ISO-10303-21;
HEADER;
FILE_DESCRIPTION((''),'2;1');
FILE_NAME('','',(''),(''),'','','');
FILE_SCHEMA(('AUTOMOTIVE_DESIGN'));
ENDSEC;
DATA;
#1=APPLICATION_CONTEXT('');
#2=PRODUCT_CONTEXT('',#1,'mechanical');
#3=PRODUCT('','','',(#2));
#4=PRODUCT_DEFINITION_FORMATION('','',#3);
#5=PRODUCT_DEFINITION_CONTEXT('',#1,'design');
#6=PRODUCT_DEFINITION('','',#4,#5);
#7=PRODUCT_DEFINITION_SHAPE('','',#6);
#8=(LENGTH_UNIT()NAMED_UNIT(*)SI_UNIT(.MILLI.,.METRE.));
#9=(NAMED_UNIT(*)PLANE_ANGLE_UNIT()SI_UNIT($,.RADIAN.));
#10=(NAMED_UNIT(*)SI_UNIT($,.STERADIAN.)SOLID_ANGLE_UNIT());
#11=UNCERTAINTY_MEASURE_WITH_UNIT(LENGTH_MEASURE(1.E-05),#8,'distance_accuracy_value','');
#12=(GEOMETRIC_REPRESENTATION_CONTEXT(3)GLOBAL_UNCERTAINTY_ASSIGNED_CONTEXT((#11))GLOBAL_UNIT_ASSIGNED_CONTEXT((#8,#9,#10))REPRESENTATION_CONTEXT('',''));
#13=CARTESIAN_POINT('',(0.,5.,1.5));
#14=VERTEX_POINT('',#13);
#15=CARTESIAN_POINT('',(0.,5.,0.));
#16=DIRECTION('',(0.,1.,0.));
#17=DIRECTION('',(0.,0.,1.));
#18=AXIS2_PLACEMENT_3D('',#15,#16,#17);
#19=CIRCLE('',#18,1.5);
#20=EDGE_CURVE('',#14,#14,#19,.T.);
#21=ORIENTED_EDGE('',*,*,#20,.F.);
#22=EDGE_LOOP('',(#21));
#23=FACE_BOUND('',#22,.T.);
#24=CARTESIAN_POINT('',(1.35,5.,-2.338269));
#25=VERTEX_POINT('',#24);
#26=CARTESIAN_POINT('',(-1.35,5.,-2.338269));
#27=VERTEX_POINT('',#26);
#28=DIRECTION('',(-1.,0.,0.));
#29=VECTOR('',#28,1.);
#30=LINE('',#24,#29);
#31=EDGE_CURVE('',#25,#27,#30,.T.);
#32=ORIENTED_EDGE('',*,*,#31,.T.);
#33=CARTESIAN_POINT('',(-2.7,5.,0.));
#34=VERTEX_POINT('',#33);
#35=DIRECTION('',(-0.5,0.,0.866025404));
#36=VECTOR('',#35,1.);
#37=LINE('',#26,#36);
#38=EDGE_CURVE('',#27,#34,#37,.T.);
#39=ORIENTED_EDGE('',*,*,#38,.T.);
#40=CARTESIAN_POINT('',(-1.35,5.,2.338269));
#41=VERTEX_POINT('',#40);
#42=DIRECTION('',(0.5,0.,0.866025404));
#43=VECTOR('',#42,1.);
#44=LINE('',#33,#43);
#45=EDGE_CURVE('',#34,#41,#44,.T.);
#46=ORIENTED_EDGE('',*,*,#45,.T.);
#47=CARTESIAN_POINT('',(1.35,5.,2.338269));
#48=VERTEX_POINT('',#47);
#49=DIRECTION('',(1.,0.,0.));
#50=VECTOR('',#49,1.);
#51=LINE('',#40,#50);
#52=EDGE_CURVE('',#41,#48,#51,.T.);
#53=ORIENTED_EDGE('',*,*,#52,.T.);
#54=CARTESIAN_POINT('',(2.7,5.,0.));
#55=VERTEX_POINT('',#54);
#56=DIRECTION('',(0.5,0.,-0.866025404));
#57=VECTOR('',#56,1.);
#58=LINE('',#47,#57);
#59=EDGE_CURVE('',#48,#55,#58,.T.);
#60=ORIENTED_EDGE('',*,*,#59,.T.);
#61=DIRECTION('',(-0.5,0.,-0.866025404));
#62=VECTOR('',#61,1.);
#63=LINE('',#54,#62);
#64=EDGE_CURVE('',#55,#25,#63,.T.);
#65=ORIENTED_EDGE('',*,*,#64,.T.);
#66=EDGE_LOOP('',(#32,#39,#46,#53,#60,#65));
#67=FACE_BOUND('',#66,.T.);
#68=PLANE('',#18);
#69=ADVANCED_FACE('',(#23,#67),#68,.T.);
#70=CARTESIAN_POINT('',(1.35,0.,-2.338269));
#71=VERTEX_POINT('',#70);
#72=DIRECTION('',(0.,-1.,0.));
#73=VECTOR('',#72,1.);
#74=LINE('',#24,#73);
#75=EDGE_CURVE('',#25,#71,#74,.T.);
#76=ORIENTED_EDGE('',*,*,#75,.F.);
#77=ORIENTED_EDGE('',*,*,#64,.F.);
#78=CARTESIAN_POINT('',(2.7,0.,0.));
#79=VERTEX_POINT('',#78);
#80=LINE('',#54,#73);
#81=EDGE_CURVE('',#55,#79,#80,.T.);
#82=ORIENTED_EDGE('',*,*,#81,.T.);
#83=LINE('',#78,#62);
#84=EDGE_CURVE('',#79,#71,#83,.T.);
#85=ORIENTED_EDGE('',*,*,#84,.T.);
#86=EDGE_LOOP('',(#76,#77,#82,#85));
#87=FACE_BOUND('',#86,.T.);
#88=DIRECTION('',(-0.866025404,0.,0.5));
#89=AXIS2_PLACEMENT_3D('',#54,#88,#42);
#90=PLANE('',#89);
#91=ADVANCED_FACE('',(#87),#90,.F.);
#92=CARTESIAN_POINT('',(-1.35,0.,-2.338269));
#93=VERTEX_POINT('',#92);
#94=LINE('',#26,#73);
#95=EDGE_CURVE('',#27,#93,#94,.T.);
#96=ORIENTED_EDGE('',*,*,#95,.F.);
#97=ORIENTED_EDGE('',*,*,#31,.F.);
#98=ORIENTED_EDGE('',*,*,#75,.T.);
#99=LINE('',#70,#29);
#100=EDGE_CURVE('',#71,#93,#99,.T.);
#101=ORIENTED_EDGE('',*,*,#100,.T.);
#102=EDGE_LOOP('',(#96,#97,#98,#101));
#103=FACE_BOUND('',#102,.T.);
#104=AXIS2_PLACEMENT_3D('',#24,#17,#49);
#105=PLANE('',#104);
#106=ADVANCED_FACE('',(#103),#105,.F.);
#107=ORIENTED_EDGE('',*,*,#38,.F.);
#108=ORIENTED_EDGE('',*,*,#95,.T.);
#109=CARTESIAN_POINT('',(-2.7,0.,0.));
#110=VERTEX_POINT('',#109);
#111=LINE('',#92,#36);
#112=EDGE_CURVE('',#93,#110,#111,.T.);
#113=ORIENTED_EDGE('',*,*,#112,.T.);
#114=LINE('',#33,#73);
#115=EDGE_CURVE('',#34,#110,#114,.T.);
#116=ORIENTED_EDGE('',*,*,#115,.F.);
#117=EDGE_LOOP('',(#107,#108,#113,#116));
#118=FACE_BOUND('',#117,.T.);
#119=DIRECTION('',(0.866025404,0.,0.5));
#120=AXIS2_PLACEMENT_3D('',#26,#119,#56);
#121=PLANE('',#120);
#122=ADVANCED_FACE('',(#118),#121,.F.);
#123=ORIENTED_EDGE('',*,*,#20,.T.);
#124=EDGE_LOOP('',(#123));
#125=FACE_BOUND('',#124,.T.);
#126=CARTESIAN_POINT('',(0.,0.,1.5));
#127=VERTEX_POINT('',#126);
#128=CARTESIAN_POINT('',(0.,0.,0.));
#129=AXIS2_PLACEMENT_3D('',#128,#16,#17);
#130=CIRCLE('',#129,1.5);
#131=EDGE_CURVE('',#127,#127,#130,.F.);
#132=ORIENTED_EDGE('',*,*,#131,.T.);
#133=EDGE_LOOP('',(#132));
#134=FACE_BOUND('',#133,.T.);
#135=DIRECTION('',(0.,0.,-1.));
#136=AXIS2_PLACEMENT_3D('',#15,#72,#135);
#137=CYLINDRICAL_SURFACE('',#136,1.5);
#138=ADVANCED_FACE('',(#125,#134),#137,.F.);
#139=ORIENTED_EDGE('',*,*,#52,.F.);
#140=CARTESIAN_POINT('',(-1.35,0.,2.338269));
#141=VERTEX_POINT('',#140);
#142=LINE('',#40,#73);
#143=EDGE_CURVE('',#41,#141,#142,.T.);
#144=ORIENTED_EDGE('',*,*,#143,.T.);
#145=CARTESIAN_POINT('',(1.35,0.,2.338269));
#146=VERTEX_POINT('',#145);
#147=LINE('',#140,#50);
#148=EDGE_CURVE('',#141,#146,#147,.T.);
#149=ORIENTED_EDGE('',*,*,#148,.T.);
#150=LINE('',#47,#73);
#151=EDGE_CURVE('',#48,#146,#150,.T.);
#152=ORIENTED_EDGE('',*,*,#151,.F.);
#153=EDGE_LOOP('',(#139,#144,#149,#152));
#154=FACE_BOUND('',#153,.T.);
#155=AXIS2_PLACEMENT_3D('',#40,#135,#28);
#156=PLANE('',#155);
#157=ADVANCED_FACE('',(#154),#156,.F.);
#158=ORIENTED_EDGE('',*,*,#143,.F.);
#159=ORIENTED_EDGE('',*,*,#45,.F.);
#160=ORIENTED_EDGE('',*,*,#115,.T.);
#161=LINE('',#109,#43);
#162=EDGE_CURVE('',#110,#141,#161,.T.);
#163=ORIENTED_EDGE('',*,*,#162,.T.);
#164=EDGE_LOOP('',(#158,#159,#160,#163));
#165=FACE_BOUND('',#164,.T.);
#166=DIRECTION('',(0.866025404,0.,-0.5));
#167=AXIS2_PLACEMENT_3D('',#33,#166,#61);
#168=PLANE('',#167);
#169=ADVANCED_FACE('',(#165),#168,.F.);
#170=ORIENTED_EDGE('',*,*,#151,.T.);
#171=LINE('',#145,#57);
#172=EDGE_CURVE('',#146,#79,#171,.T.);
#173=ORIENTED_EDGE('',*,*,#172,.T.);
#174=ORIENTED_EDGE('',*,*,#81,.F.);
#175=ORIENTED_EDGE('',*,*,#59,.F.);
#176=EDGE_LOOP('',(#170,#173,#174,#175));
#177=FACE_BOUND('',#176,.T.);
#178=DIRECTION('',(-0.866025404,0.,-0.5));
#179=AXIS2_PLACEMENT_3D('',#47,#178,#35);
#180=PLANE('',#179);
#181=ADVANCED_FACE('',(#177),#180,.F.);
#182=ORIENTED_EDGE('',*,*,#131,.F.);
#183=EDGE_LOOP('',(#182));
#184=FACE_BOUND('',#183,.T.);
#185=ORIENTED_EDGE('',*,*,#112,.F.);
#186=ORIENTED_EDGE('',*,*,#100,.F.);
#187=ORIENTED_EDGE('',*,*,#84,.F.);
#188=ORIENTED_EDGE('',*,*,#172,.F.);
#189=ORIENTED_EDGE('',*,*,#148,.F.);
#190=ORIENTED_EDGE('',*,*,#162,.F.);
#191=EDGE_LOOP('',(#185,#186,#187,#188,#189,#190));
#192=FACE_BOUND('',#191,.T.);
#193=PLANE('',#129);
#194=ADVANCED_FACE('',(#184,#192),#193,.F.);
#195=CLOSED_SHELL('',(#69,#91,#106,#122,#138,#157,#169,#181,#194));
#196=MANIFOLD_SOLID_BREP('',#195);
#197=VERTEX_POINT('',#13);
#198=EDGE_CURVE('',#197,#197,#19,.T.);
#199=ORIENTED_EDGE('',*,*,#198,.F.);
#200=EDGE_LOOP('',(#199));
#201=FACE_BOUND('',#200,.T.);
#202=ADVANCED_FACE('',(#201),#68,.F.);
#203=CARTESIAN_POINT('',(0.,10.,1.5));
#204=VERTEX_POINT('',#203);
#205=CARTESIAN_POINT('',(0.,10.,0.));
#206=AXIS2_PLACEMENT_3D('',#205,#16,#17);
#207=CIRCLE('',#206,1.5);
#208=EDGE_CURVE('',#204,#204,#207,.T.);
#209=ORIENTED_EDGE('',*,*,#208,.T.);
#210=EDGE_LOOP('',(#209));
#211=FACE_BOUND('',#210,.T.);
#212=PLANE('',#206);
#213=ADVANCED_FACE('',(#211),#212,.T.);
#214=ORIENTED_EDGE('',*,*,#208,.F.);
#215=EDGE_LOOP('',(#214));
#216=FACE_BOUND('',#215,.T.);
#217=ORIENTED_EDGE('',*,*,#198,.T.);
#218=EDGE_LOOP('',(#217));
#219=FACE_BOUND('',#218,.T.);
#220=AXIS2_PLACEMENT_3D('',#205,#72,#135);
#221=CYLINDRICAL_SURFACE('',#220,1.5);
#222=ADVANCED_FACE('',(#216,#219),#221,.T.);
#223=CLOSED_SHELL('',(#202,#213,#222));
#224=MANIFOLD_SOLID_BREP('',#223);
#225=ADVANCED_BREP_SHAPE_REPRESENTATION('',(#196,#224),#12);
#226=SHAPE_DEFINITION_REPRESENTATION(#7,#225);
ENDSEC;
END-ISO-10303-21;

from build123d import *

# Parameters (mm, degrees)
EXTRUDE_1_DEPTH          = 5
SKETCH_2_R               = 1.5
EXTRUDE_2_DEPTH          = 10
CUT_EXTRUDE_2_DEPTH      = 5
CUT_EXTRUDE_2_DEPTH_BACK = 1
SKETCH_3_R               = 1.5


with BuildPart() as part:
    # 草图1 → 凸台-拉伸1 (new body)
    with BuildSketch(Plane(origin=(0, 0, 0), x_dir=(1, 0, 0), z_dir=(0, 1, 0))):
        Polygon((2.7, 0), (1.35, 2.33826859), (-1.35, 2.33826859), (-2.7, 0), (-1.35, -2.33826859), (1.35, -2.33826859), align=None)
    extrude(amount=EXTRUDE_1_DEPTH)

    # 草图2 → 凸台-拉伸2 (add)
    with BuildSketch(Plane(origin=(0, 0, 0), x_dir=(1, 0, 0), z_dir=(0, 1, 0))):
        with Locations(Location((0, 0, 0), (0, 0, 270))):
            Circle(SKETCH_2_R)
    extrude(amount=EXTRUDE_2_DEPTH)

    # 草图3 → 切除-拉伸2 (cut, two sides: drawn at the far end of the back side and taken through both)
    with BuildSketch(Plane(origin=(0, 0, 0), x_dir=(1, 0, 0), z_dir=(0, 1, 0)).offset(-CUT_EXTRUDE_2_DEPTH_BACK)):
        with Locations(Location((0, 0, 0), (0, 0, 270))):
            Circle(SKETCH_3_R)
    extrude(amount=CUT_EXTRUDE_2_DEPTH + CUT_EXTRUDE_2_DEPTH_BACK, mode=Mode.SUBTRACT)


with BuildPart() as cut_extrude_2_piece_1:
    # of the separate pieces the step leaves, piece 1, a body of its own (cut_extrude_2_pieces)
    add(part.part.solids().sort_by_distance((2.7, 0, 0))[0])


with BuildPart() as cut_extrude_2_piece_2:
    # of the separate pieces the step leaves, piece 2, a body of its own (cut_extrude_2_pieces)
    add(part.part.solids().sort_by_distance((0, 10, 1.5))[0])


solid = Compound([cut_extrude_2_piece_1.part, cut_extrude_2_piece_2.part])
